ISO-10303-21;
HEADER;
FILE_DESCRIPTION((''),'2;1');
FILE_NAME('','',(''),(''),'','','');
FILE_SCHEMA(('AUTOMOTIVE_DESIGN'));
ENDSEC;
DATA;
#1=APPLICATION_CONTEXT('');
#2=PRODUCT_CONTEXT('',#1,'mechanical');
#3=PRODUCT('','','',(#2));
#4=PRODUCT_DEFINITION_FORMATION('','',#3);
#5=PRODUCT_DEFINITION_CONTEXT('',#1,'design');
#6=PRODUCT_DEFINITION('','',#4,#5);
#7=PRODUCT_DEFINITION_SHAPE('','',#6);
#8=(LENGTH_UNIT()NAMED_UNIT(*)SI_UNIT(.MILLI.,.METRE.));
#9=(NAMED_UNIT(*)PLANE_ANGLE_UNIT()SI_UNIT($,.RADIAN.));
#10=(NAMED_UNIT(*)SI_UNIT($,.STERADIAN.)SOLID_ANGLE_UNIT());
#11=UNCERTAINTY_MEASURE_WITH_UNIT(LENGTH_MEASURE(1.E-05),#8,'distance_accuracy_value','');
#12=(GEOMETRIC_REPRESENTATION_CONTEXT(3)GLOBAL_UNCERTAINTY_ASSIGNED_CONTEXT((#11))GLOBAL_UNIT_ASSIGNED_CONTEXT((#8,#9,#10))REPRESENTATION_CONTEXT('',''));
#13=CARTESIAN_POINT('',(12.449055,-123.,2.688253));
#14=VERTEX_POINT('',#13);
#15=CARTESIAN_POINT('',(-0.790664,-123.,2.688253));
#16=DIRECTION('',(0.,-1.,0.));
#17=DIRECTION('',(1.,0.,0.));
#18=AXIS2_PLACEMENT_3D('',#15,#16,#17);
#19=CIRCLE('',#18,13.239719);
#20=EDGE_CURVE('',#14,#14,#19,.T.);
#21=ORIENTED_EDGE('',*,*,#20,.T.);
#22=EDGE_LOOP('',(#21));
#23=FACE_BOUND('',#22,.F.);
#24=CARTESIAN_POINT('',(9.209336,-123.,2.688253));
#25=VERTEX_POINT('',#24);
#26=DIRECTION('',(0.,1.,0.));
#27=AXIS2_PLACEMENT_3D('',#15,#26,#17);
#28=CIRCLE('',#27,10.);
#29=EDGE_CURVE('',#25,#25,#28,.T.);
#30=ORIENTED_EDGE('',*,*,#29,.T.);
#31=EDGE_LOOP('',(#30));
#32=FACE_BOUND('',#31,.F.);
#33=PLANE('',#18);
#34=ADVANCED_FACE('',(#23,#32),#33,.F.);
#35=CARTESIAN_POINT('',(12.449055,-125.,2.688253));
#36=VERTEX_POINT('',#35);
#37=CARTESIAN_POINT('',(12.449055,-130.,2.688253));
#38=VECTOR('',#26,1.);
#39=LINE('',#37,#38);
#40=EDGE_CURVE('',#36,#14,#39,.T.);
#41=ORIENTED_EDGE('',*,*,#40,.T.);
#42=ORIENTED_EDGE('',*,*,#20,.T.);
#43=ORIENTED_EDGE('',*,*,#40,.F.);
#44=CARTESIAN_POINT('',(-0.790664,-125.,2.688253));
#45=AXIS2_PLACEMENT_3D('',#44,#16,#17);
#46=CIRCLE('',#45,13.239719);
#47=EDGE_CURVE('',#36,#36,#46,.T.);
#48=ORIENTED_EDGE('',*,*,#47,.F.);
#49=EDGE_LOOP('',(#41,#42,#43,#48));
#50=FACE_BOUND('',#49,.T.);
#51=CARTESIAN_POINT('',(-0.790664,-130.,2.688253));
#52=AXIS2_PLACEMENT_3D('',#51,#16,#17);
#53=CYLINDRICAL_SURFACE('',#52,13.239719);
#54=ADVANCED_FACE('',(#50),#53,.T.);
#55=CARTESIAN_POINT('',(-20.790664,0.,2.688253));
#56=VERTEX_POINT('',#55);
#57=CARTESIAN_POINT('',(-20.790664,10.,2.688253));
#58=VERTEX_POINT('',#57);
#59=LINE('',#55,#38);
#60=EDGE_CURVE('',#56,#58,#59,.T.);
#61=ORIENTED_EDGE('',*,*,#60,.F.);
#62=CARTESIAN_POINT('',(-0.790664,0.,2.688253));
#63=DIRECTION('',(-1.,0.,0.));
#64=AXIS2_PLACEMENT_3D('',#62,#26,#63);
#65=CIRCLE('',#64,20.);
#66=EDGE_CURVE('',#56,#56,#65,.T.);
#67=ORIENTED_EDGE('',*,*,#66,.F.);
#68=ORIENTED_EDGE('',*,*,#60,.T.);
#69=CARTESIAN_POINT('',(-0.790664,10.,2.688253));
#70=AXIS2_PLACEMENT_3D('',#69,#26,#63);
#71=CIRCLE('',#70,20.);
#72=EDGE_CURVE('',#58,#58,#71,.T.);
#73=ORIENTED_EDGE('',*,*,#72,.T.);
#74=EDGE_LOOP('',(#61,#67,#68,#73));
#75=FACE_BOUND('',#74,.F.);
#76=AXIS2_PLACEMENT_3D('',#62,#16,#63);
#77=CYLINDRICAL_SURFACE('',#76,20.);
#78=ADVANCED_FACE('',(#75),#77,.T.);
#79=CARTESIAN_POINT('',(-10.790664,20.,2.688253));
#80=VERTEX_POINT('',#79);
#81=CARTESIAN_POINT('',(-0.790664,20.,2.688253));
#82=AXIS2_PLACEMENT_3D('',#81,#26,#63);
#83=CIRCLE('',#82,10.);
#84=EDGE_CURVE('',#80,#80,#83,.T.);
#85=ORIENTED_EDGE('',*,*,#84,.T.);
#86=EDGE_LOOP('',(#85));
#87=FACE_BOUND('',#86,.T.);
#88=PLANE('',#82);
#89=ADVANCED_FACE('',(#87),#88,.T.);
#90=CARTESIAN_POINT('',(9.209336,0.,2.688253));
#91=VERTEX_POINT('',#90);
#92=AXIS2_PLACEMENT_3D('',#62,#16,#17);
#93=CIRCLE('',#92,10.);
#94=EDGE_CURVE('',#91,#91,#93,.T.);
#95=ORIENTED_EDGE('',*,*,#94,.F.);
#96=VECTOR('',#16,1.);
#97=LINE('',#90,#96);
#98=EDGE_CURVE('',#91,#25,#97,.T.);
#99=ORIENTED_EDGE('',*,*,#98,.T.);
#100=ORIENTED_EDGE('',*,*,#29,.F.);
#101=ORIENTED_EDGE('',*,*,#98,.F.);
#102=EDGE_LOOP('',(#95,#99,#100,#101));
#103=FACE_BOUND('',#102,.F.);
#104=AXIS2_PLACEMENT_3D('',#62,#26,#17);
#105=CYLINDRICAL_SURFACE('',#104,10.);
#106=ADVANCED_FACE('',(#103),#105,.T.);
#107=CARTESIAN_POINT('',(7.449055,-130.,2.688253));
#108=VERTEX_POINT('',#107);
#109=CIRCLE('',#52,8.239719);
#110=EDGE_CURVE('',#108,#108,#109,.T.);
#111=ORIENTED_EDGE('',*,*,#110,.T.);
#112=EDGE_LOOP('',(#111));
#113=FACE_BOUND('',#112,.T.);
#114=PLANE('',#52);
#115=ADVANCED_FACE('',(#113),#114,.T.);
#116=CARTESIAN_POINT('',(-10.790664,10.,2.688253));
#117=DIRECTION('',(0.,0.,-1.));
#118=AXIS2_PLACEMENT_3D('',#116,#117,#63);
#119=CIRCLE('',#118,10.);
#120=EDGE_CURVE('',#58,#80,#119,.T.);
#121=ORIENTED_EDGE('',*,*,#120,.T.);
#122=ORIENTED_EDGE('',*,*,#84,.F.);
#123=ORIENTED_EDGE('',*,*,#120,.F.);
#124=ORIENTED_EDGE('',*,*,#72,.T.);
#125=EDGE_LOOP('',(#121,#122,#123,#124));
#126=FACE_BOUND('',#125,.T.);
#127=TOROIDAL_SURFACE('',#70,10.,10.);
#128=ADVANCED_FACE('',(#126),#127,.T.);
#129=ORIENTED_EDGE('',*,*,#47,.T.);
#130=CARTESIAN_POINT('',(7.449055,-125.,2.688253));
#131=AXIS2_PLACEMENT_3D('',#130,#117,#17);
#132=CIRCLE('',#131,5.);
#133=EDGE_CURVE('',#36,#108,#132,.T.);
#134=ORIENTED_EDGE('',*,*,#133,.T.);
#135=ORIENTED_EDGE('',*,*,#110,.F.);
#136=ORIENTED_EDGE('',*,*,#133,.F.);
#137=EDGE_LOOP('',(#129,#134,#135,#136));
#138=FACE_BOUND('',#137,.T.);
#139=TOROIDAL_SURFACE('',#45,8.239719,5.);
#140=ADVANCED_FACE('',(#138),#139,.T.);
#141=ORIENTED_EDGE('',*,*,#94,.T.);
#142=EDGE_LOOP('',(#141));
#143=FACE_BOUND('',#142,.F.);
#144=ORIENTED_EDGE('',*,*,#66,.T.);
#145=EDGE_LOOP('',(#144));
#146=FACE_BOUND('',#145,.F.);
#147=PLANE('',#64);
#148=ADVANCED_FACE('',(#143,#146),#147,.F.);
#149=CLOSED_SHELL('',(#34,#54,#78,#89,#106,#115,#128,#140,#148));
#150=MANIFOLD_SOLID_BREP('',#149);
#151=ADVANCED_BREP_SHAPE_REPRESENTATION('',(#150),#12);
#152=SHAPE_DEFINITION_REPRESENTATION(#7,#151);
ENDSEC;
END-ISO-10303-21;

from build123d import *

# Parameters (mm, degrees)
F0_R     = 10
F1_DEPTH = 130
F2_R     = 20
F3_DEPTH = 20
F4_R     = 10
F5_R     = 13.239719
F6_DEPTH = 7
F7_R     = 5


with BuildPart() as f1:
    # F0 (on Front) → F1 (new body)
    with BuildSketch(Plane.XZ):
        with Locations((-0.790664, 2.688253)):
            Circle(F0_R)
    extrude(amount=F1_DEPTH)

    # F2 (on face) → F3 (join)
    with BuildSketch(Plane(origin=(0, 0, 0), x_dir=(-1, 0, 0), z_dir=(0, 1, 0))):
        with Locations((0.790664, 2.688253)):
            Circle(F2_R)
    extrude(amount=F3_DEPTH)

    # F4
    f4_edges = [f1.edges().sort_by_distance(p)[0] for p in [
        (19.209336, 20, 2.688253),
    ]]
    fillet(f4_edges, radius=F4_R)

    # F5 (on face) → F6 (join)
    with BuildSketch(Plane.XZ.offset(130)):
        with Locations((-0.790664, 2.688253)):
            Circle(F5_R)
    extrude(amount=-F6_DEPTH)

    # F7
    f7_edges = [f1.edges().sort_by_distance(p)[0] for p in [
        (-14.030383, -130, 2.688253),
    ]]
    fillet(f7_edges, radius=F7_R)


solid = f1.part
